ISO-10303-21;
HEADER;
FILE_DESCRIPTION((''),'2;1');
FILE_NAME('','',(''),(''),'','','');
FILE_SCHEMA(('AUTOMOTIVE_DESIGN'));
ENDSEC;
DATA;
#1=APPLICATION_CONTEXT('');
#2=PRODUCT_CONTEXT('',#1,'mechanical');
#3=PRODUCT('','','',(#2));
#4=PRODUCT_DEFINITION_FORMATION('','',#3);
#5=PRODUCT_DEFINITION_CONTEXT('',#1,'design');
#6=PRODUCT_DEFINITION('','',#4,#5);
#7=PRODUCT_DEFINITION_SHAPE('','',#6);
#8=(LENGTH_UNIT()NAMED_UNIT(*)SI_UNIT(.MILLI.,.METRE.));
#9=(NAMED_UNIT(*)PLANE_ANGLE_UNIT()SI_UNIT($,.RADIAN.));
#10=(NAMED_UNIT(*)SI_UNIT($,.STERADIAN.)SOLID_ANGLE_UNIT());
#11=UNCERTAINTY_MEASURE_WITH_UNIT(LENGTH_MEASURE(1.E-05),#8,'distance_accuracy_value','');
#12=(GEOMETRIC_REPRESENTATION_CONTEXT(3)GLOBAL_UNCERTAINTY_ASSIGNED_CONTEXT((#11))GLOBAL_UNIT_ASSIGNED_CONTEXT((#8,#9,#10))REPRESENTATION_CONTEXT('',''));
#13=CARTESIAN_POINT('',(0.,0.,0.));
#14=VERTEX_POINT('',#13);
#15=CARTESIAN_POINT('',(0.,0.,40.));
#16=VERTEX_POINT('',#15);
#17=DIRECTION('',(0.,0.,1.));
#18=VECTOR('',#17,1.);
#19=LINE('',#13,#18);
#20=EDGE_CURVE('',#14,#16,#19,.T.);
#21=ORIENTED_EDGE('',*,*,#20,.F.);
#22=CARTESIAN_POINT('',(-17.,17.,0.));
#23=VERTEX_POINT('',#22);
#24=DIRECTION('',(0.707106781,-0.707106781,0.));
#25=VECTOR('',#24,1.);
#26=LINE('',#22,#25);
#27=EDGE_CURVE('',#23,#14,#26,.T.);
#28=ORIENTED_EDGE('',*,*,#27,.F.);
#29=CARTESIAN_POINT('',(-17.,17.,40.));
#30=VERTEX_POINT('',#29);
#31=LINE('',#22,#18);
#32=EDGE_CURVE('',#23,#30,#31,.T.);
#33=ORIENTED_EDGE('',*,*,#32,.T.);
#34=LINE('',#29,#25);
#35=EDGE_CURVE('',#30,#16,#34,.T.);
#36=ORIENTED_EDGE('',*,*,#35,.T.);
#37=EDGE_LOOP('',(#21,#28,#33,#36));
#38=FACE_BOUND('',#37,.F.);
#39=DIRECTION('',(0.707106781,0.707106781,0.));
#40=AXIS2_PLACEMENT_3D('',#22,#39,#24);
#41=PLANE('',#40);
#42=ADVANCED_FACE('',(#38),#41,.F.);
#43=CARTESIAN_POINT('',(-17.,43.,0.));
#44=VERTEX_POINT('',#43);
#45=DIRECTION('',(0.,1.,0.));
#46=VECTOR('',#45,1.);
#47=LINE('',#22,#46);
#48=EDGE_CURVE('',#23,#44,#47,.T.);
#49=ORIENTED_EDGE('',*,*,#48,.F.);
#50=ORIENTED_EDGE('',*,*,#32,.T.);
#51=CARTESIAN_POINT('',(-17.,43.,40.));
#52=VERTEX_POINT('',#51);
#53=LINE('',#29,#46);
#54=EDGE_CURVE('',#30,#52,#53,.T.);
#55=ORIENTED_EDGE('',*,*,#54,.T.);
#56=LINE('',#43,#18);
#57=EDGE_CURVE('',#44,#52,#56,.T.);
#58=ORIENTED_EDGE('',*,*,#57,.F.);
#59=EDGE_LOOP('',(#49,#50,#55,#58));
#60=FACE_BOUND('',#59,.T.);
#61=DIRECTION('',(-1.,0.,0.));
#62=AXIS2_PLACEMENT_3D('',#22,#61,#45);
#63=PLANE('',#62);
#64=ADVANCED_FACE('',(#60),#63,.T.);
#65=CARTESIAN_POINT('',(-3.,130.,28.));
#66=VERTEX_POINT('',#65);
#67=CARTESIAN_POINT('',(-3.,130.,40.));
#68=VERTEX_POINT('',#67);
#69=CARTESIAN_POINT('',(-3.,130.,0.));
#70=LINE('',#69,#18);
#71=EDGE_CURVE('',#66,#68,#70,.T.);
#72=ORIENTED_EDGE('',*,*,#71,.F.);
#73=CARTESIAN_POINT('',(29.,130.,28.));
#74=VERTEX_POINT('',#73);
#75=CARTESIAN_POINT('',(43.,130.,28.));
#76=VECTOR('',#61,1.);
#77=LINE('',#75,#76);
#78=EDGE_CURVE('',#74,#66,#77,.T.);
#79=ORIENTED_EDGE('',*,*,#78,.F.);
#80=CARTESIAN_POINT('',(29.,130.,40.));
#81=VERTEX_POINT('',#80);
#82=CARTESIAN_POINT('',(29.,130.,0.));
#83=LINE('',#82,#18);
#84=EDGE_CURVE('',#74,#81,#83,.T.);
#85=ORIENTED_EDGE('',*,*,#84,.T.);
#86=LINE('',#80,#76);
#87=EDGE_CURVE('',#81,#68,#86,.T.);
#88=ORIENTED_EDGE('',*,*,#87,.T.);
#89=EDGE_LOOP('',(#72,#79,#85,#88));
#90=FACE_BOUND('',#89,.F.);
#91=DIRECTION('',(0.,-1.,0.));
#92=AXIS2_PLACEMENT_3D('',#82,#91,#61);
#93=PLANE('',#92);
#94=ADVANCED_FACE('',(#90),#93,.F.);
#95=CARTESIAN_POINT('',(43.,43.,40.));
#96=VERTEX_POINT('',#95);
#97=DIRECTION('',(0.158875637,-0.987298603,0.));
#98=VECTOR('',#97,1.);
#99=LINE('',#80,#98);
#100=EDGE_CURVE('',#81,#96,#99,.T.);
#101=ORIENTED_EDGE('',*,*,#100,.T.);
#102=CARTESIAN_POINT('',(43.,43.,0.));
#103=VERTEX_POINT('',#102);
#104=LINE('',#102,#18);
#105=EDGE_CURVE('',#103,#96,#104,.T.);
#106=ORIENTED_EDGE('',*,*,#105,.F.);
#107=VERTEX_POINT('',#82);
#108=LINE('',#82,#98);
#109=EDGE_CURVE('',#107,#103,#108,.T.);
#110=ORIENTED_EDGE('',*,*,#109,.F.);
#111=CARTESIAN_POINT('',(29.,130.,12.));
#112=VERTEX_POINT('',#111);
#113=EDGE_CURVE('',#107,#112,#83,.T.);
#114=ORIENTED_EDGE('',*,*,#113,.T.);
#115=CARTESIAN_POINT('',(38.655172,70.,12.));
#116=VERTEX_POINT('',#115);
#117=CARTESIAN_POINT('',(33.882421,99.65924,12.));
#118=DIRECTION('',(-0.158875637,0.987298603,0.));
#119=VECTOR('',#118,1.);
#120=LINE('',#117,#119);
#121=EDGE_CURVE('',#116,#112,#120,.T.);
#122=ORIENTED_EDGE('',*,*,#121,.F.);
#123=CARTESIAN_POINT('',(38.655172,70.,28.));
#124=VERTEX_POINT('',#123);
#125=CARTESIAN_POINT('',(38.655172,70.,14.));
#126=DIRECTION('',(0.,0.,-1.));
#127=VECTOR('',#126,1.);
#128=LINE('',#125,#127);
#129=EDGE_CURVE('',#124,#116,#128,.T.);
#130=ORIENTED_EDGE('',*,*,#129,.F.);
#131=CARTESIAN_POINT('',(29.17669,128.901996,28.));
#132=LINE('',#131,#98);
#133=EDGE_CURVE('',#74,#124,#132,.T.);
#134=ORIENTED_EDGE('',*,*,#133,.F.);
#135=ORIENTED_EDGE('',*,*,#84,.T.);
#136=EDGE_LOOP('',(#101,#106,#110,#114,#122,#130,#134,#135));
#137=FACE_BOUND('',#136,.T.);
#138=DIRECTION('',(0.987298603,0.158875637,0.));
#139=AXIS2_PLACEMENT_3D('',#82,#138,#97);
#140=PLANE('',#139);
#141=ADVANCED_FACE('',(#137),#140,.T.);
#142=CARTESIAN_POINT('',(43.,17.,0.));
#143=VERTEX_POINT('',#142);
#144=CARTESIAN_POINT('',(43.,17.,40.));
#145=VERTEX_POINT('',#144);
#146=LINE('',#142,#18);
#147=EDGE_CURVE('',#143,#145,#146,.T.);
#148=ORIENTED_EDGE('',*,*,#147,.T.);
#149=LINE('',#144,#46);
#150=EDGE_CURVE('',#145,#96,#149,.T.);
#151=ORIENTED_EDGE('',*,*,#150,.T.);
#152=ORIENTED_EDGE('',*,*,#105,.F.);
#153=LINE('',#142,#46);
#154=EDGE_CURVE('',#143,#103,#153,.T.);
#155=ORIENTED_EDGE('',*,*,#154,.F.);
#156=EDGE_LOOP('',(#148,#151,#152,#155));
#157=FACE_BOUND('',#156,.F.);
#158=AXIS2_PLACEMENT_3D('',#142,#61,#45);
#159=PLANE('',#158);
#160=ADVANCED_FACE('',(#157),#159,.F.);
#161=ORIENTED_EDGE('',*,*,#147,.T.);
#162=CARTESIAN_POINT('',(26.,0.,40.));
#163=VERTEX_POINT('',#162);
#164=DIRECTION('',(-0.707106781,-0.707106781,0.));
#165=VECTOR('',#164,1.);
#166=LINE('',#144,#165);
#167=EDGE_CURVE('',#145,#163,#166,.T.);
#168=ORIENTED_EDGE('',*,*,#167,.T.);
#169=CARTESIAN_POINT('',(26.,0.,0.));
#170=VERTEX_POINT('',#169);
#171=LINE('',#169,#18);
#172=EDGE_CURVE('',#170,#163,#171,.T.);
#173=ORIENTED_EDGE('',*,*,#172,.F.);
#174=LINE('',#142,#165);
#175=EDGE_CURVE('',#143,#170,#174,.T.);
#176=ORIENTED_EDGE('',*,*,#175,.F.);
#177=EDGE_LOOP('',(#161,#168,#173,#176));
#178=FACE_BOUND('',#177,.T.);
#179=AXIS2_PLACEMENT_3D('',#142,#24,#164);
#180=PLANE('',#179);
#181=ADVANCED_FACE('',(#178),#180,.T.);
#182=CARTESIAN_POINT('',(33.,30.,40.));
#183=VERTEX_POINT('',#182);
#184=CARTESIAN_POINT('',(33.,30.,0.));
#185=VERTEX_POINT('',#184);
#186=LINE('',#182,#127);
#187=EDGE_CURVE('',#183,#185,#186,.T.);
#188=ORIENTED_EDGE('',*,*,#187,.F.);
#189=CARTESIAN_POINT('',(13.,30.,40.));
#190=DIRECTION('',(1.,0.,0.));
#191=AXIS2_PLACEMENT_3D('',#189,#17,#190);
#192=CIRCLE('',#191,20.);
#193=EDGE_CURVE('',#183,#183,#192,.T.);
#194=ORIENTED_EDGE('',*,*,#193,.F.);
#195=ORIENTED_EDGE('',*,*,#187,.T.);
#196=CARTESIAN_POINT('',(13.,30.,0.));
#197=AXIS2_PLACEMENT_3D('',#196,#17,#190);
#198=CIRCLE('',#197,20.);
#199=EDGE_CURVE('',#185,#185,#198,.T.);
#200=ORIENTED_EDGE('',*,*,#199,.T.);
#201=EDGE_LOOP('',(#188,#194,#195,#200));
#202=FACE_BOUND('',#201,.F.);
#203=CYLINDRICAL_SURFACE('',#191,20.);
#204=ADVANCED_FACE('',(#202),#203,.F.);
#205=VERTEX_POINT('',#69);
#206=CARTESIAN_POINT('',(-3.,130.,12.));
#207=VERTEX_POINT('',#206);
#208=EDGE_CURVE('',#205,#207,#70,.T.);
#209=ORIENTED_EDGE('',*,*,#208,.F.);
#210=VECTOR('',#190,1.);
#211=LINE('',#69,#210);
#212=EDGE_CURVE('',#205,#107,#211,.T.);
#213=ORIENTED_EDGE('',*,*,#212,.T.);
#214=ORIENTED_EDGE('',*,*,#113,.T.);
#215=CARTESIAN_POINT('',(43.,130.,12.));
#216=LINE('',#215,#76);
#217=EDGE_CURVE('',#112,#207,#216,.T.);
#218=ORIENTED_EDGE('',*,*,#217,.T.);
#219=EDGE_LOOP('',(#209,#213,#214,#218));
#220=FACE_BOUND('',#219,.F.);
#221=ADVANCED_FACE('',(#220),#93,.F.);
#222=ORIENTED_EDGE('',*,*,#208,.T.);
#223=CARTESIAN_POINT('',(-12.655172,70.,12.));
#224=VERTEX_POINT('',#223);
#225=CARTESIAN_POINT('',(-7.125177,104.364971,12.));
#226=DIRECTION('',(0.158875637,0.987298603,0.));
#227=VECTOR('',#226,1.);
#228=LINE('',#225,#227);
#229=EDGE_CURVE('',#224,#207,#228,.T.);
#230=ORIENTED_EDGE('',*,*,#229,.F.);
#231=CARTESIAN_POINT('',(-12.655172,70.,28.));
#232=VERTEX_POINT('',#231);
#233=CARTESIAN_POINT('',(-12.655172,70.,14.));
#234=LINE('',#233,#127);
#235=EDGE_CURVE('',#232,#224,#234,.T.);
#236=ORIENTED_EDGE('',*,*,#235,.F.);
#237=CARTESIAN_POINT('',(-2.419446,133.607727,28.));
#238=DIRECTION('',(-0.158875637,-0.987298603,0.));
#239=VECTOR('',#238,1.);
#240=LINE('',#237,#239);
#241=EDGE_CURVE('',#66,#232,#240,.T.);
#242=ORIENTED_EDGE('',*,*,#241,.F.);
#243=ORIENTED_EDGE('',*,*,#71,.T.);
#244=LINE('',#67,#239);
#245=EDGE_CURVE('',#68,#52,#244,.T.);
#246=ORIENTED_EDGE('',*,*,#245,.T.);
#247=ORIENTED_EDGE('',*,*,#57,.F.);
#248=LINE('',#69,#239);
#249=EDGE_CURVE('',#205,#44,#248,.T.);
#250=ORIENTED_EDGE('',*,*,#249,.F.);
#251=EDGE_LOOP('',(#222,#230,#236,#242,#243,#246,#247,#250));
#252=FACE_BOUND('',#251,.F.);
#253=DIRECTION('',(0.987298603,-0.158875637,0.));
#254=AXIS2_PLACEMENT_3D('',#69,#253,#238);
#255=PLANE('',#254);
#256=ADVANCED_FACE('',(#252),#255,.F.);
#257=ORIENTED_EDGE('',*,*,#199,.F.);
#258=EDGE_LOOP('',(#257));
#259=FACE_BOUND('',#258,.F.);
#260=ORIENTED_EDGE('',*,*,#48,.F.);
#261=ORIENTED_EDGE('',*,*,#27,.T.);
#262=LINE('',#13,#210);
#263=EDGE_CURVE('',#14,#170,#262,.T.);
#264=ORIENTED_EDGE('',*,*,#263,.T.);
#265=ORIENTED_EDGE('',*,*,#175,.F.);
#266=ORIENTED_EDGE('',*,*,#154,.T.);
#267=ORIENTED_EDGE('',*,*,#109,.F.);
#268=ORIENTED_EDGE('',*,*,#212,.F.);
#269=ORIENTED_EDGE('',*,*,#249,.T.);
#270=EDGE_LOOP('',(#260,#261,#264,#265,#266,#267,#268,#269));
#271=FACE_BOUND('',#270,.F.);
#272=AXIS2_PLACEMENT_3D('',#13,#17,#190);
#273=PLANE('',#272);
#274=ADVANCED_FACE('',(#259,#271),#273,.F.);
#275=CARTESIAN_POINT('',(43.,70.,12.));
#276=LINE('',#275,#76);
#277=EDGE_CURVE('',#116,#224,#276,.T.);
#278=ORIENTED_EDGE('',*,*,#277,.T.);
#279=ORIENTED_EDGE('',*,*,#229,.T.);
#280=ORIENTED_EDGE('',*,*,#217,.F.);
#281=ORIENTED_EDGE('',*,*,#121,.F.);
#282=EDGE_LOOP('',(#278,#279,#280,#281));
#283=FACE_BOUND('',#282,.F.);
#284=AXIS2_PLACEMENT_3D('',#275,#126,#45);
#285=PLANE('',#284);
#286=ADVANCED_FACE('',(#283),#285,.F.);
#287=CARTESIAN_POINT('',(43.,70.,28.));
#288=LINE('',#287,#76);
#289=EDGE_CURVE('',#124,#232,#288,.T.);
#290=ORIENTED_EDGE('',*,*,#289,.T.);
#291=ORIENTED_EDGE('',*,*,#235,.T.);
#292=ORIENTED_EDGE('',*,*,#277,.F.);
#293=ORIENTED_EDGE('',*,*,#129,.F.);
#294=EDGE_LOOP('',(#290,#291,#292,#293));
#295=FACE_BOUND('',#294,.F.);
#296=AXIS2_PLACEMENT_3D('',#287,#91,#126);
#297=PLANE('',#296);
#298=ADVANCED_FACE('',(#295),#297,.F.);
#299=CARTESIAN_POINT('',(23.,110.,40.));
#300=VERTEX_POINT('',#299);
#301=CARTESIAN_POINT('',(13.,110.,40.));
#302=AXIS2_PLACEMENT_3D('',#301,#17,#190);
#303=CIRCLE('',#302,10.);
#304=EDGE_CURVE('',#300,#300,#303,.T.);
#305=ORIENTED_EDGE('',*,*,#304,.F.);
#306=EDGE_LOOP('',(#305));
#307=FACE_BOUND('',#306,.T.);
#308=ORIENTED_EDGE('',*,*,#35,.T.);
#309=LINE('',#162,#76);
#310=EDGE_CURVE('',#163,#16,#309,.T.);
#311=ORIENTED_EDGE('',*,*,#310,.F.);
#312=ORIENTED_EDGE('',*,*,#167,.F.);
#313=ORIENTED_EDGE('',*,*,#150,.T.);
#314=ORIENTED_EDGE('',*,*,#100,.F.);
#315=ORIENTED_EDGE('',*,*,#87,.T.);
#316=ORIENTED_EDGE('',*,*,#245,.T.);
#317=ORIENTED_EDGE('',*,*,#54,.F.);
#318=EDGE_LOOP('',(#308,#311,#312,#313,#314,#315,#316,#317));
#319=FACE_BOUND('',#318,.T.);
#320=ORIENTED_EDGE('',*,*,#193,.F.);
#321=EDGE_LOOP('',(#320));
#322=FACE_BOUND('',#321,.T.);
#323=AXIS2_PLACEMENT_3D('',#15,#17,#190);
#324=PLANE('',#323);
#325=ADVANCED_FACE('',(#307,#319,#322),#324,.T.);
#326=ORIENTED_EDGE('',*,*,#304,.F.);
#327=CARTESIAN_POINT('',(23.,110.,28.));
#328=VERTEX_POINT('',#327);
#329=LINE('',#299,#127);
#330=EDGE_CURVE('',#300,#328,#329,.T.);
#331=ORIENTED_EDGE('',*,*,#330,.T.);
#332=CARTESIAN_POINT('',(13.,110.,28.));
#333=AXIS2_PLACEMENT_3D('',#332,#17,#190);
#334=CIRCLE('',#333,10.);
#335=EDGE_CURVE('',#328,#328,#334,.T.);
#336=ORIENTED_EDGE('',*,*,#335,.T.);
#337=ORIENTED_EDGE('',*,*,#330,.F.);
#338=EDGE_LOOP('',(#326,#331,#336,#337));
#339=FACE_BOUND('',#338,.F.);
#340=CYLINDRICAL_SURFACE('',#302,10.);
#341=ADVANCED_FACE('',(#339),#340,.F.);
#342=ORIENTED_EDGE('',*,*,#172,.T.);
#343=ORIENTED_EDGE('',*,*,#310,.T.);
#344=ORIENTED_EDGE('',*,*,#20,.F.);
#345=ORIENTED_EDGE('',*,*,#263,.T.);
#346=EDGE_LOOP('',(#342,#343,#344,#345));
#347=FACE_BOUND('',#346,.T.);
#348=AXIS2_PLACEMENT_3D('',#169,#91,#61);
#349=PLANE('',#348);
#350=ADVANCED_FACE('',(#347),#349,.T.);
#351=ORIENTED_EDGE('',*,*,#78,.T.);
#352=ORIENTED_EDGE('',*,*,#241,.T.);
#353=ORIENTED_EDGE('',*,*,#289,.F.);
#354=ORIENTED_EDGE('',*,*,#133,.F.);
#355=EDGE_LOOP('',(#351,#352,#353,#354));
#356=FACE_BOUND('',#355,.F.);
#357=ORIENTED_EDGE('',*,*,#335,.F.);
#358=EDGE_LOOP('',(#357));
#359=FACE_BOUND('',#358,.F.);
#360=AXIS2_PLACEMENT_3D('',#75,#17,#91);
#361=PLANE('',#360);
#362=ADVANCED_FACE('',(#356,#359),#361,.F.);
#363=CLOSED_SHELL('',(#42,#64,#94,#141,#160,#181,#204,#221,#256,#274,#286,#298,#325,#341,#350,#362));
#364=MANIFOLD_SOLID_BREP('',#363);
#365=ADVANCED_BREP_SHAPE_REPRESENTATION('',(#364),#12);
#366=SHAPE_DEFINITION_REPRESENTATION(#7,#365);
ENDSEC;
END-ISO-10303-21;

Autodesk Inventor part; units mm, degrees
ref_plane "YZ Plane" through (0, 0, 0) normal (1, 0, 0) x (0, 1, 0)
ref_plane "XZ Plane" through (0, 0, 0) normal (0, 1, 0) x (-1, 0, 0)
ref_plane "XY Plane" through (0, 0, 0) normal (0, 0, 1) x (1, 0, 0)
sketch "Náčrt1" plane through (0, 0, 0) normal (0, 0, 1) x (1, 0, 0)
  line L0 (43, 17) -> (26, 0)
  line L1 (43, 17) -> (43, 43)
  line L2 (29, 130) -> (43, 43)
  line L3 (26, 0) -> (13, 0)
  line L4 (29, 130) -> (13, 130)
  line L5 (13, 134.5754) -> (13, -3.2687)
  line L6 (-17, 17) -> (0, 0)
  line L7 (-17, 17) -> (-17, 43)
  line L8 (-3, 130) -> (-17, 43)
  line L9 (0, 0) -> (13, 0)
  line L10 (-3, 130) -> (13, 130)
  dimension "d3" = 26
  dimension "d6" = 13
  dimension "d7" = 16
extrude "Vysunutí1" add sketch "Náčrt1" along normal blind 40
sketch "Náčrt2" plane through (43, 17, 0) normal (1, 0, 0) x (0, 0, -1)
  line L0 (0, 113) -> (-40, 113) projected
  line L1 (-28, 113) -> (-28, 53)
  line L2 (-28, 53) -> (-12, 53)
  line L3 (-12, 53) -> (-12, 113)
  line L4 (-28, 113) -> (-12, 113)
  point P0 (0, -17)
  dimension "d10" = 60
  dimension "d11" = 16
extrude "Vysunutí2" cut sketch "Náčrt2" against normal through all
sketch "Náčrt3" plane through (0, 0, 40) normal (0, 0, 1) x (1, 0, 0)
  circle A0 centre (13, 30) radius 20
  circle A1 centre (13, 110) radius 10
  point P0 (0, 0)
  dimension "d14" = 40
  dimension "d15" = 20
extrude "Vysunutí3" cut sketch "Náčrt3" against normal through all contours A0
sketch "Náčrt4" plane through (0, 0, 40) normal (0, 0, 1) x (1, 0, 0)
  circle A0 centre (13, 110) radius 10
  point P0 (0, 0)
  dimension "d18" = 20
extrude "Vysunutí4" cut sketch "Náčrt4" against normal blind 20
properties part number "11"
